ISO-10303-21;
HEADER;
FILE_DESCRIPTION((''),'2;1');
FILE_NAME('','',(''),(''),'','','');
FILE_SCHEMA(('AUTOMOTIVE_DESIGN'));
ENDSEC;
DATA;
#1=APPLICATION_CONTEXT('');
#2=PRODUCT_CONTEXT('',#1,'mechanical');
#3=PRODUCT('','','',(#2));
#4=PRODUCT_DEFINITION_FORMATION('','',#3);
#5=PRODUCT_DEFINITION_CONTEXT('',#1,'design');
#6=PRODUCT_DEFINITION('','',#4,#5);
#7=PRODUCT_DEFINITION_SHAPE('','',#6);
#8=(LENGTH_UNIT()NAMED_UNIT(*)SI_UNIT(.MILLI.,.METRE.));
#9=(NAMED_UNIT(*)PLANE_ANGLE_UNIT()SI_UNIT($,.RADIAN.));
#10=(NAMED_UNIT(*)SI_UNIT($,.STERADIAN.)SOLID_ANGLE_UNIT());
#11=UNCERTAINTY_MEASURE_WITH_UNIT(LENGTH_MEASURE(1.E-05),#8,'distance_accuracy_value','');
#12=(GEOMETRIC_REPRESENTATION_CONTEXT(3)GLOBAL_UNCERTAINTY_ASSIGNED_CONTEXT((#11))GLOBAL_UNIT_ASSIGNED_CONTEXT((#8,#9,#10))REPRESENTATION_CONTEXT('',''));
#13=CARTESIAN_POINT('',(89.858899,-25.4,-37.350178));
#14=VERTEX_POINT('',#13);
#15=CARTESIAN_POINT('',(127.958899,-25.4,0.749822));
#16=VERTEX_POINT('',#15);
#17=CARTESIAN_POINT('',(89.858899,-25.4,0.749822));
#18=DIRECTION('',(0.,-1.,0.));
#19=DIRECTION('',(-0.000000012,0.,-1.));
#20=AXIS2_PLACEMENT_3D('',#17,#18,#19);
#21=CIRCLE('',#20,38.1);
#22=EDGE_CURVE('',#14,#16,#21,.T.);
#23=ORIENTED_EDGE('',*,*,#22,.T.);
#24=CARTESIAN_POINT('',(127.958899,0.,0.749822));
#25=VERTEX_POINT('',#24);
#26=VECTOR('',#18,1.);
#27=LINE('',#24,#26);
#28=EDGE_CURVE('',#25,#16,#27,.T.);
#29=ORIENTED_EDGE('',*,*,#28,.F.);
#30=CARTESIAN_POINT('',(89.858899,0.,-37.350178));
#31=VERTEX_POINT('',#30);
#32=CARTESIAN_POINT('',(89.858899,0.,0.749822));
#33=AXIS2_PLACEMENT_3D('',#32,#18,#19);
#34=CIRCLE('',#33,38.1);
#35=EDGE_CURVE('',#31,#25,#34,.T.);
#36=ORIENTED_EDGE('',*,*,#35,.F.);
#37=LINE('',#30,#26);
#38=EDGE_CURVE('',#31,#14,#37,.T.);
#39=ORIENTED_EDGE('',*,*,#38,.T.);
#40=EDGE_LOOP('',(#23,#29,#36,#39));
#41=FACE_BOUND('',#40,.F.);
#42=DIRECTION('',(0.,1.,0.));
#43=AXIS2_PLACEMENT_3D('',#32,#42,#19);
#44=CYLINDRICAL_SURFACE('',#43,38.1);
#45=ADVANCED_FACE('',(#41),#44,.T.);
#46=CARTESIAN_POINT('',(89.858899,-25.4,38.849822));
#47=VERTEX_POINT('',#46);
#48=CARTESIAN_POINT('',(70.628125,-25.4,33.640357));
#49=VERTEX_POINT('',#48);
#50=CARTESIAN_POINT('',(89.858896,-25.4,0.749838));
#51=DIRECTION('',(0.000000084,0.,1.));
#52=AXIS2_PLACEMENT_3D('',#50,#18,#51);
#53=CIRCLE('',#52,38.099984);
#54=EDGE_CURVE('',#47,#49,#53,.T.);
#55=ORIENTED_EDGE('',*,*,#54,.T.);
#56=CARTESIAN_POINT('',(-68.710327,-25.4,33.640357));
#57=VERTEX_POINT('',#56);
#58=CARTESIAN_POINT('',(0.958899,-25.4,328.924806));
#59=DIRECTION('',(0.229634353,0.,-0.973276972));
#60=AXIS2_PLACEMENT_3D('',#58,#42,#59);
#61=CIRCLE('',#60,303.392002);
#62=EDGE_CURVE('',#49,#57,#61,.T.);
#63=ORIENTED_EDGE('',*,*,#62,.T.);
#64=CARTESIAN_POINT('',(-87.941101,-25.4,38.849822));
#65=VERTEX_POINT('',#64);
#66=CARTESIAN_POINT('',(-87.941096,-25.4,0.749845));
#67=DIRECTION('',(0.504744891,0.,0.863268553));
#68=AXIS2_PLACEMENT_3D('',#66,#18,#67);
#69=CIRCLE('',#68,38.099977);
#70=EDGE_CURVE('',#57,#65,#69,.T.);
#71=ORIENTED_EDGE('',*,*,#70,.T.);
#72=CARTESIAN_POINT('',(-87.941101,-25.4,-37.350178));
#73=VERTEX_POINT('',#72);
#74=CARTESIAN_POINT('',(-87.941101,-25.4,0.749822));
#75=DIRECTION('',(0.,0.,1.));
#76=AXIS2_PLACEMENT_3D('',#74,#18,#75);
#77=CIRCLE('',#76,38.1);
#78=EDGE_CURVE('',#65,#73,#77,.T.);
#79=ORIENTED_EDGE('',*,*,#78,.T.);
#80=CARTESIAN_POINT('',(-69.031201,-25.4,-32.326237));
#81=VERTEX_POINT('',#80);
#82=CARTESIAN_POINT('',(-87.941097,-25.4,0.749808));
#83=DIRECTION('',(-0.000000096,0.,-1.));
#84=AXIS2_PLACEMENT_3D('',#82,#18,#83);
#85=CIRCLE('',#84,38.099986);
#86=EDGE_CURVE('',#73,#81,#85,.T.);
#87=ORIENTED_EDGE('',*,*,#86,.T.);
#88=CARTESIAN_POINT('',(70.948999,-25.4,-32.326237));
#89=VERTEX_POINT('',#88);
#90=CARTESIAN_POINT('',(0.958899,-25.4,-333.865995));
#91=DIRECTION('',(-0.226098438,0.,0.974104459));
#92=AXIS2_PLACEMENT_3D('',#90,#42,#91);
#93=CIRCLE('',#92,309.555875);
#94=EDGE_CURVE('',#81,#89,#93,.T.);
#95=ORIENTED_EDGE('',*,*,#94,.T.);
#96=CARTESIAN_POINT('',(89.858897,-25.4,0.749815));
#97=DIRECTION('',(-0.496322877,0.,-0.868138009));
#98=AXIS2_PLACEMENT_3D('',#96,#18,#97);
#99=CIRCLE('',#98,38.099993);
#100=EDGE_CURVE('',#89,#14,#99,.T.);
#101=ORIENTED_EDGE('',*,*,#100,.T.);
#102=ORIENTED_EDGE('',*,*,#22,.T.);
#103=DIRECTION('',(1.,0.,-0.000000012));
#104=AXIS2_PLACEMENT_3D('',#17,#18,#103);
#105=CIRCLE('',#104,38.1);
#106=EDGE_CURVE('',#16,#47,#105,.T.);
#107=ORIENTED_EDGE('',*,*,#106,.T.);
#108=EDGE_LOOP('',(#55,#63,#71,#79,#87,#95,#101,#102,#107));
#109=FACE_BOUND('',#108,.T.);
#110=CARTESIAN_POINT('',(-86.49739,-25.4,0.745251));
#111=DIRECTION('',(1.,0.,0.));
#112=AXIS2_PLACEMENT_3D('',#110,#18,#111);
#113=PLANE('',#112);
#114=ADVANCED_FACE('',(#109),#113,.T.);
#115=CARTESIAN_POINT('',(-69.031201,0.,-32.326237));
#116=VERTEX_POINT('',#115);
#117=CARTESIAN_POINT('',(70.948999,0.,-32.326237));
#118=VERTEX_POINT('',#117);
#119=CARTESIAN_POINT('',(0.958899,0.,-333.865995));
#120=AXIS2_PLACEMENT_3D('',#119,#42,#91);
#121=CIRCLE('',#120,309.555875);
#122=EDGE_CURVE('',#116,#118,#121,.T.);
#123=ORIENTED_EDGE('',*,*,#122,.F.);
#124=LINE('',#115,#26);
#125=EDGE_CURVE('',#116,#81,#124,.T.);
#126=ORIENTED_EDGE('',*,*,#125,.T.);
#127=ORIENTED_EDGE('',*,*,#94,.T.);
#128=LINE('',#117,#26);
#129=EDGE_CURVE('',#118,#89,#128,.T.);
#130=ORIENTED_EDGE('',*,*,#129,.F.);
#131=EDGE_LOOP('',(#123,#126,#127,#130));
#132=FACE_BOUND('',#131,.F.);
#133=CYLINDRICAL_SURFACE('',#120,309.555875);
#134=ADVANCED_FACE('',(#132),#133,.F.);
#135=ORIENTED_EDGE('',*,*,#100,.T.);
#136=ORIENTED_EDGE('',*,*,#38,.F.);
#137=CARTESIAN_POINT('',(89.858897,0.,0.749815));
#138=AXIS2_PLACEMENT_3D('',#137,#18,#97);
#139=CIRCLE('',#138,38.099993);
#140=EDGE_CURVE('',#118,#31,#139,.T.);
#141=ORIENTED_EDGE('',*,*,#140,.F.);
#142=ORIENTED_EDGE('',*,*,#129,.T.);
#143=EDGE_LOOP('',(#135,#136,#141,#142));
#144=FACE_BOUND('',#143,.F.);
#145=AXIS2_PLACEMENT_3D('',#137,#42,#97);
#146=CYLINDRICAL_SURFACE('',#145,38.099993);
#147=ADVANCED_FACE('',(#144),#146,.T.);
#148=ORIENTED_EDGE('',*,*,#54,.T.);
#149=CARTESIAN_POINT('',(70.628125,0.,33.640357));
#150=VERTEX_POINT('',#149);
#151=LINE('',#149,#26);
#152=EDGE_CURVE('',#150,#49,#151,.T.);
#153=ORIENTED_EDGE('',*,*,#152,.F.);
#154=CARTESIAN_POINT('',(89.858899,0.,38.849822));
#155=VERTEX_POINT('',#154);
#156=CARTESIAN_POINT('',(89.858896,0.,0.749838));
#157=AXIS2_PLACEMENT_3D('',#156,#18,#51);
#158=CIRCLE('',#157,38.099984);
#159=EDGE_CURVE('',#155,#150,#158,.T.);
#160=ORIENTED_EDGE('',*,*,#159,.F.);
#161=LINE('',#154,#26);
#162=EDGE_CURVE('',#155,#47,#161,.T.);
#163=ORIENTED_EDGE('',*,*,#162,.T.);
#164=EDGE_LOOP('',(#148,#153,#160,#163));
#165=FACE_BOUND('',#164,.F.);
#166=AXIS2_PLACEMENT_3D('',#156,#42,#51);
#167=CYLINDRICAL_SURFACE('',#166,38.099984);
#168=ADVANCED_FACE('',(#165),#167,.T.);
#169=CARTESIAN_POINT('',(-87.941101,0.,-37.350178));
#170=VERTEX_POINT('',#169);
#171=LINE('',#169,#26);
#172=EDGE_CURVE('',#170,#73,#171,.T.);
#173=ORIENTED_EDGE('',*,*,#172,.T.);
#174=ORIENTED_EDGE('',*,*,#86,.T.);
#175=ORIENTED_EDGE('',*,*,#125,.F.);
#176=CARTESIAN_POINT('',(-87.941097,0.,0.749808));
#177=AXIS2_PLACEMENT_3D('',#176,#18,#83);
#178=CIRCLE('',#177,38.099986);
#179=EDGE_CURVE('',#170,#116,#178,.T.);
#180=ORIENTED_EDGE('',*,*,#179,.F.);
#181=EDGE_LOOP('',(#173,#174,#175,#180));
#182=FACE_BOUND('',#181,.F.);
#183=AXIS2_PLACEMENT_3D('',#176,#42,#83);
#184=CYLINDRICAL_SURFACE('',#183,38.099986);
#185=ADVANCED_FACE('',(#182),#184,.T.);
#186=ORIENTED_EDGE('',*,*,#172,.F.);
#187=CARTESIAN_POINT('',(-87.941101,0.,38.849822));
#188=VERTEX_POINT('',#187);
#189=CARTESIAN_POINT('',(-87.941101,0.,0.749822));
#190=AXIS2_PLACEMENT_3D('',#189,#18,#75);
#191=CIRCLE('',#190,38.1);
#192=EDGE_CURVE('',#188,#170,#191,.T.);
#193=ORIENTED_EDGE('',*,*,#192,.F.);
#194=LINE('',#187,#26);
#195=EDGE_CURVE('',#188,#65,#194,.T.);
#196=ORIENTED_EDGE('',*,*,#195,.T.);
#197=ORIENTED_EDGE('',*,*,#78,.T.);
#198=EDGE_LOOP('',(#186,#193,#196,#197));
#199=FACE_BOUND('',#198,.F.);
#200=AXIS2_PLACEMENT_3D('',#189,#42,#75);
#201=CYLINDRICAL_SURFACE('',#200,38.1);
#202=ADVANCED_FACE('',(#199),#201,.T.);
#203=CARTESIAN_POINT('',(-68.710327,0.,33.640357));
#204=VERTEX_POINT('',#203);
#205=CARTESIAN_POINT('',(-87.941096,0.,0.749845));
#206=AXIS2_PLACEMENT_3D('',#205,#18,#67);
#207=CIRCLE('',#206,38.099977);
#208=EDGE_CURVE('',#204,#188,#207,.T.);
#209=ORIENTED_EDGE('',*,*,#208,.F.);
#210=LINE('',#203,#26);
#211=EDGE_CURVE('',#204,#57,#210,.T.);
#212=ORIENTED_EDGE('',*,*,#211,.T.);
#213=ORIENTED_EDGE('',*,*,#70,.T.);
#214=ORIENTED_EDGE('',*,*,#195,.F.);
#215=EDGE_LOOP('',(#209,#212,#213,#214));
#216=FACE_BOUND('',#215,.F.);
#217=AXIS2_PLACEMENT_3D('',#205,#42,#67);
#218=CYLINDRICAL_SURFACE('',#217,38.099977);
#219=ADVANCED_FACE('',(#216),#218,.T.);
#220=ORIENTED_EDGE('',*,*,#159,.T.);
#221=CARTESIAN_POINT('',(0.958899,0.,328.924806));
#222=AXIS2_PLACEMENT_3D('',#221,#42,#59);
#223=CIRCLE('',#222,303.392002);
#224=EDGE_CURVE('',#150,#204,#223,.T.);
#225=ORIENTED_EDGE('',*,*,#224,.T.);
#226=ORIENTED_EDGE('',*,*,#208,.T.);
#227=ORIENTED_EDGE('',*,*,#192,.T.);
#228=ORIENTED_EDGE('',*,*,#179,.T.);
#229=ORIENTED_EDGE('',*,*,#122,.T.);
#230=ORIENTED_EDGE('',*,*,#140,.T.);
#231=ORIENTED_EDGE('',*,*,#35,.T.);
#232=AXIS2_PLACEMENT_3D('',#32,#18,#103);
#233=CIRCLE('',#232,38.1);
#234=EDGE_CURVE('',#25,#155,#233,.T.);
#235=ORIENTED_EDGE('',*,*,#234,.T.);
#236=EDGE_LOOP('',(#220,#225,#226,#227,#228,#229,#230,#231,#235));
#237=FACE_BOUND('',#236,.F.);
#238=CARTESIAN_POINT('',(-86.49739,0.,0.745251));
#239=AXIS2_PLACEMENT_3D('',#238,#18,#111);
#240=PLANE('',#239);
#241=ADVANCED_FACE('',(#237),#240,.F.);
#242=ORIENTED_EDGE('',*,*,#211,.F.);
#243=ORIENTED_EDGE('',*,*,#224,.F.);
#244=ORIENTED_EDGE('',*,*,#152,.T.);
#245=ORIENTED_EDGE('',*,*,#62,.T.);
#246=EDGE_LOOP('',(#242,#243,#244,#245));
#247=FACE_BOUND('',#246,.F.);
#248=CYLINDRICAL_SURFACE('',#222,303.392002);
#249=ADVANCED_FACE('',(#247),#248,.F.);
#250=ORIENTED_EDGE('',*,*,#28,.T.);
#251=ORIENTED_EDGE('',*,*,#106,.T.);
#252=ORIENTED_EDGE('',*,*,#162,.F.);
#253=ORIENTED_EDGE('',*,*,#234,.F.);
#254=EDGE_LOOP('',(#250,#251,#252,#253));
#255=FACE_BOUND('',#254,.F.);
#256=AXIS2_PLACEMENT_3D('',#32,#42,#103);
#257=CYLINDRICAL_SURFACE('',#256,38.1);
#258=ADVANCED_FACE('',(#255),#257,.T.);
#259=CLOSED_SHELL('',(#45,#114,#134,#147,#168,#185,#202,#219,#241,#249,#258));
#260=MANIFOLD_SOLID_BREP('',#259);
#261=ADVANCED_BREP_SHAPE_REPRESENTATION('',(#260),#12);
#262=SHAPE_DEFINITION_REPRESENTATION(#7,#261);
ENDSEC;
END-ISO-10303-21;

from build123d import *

# Parameters (mm, degrees)
F1_DEPTH = 25.4


with BuildPart() as f1:
    # F0 (on Front) → F1 (new body)
    with BuildSketch(Plane.XZ):
        with BuildLine():
            ThreePointArc((-68.710327, 33.640357), (-78.368489, 36.087185), (-87.941101, 38.849822))
            ThreePointArc((-87.941101, 38.849822), (-126.041101, 0.749822), (-87.941101, -37.350178))
            ThreePointArc((-87.941101, -37.350178), (-78.525854, -34.688767), (-69.031201, -32.326237))
            ThreePointArc((-69.031201, -32.326237), (-54.986001, -18.3701), (-49.841101, 0.749822))
            ThreePointArc((-49.841101, 0.749822), (-54.893389, 19.709219), (-68.710327, 33.640357))
        make_face()
        with BuildLine():
            ThreePointArc((-68.710327, 33.640357), (-77.979158, 37.524402), (-87.941101, 38.849822))
            ThreePointArc((-87.941101, 38.849822), (-78.368489, 36.087185), (-68.710327, 33.640357))
        make_face()
        with BuildLine():
            ThreePointArc((-69.031201, -32.326237), (-78.525854, -34.688767), (-87.941101, -37.350178))
            ThreePointArc((-87.941101, -37.350178), (-78.158152, -36.072779), (-69.031201, -32.326237))
        make_face()
        with BuildLine():
            ThreePointArc((70.628125, 33.640357), (0.958899, 25.532804), (-68.710327, 33.640357))
            ThreePointArc((-68.710327, 33.640357), (-54.893389, 19.709219), (-49.841101, 0.749822))
            ThreePointArc((-49.841101, 0.749822), (-54.986001, -18.3701), (-69.031201, -32.326237))
            ThreePointArc((-69.031201, -32.326237), (0.958899, -24.31012), (70.948999, -32.326237))
            ThreePointArc((70.948999, -32.326237), (51.75935, 0.564499), (70.628125, 33.640357))
        make_face()
        with BuildLine():
            ThreePointArc((89.858899, 38.849822), (80.286287, 36.087185), (70.628125, 33.640357))
            ThreePointArc((70.628125, 33.640357), (51.75935, 0.564499), (70.948999, -32.326237))
            ThreePointArc((70.948999, -32.326237), (80.443652, -34.688767), (89.858899, -37.350178))
            ThreePointArc((89.858899, -37.350178), (116.799668, -26.190946), (127.958899, 0.749822))
            ThreePointArc((127.958899, 0.749822), (116.799668, 27.69059), (89.858899, 38.849822))
        make_face()
        with BuildLine():
            ThreePointArc((89.858899, 38.849822), (79.896957, 37.524402), (70.628125, 33.640357))
            ThreePointArc((70.628125, 33.640357), (80.286287, 36.087185), (89.858899, 38.849822))
        make_face()
        with BuildLine():
            ThreePointArc((89.858899, -37.350178), (80.443652, -34.688767), (70.948999, -32.326237))
            ThreePointArc((70.948999, -32.326237), (80.075951, -36.072779), (89.858899, -37.350178))
        make_face()
    extrude(amount=F1_DEPTH)


solid = f1.part
